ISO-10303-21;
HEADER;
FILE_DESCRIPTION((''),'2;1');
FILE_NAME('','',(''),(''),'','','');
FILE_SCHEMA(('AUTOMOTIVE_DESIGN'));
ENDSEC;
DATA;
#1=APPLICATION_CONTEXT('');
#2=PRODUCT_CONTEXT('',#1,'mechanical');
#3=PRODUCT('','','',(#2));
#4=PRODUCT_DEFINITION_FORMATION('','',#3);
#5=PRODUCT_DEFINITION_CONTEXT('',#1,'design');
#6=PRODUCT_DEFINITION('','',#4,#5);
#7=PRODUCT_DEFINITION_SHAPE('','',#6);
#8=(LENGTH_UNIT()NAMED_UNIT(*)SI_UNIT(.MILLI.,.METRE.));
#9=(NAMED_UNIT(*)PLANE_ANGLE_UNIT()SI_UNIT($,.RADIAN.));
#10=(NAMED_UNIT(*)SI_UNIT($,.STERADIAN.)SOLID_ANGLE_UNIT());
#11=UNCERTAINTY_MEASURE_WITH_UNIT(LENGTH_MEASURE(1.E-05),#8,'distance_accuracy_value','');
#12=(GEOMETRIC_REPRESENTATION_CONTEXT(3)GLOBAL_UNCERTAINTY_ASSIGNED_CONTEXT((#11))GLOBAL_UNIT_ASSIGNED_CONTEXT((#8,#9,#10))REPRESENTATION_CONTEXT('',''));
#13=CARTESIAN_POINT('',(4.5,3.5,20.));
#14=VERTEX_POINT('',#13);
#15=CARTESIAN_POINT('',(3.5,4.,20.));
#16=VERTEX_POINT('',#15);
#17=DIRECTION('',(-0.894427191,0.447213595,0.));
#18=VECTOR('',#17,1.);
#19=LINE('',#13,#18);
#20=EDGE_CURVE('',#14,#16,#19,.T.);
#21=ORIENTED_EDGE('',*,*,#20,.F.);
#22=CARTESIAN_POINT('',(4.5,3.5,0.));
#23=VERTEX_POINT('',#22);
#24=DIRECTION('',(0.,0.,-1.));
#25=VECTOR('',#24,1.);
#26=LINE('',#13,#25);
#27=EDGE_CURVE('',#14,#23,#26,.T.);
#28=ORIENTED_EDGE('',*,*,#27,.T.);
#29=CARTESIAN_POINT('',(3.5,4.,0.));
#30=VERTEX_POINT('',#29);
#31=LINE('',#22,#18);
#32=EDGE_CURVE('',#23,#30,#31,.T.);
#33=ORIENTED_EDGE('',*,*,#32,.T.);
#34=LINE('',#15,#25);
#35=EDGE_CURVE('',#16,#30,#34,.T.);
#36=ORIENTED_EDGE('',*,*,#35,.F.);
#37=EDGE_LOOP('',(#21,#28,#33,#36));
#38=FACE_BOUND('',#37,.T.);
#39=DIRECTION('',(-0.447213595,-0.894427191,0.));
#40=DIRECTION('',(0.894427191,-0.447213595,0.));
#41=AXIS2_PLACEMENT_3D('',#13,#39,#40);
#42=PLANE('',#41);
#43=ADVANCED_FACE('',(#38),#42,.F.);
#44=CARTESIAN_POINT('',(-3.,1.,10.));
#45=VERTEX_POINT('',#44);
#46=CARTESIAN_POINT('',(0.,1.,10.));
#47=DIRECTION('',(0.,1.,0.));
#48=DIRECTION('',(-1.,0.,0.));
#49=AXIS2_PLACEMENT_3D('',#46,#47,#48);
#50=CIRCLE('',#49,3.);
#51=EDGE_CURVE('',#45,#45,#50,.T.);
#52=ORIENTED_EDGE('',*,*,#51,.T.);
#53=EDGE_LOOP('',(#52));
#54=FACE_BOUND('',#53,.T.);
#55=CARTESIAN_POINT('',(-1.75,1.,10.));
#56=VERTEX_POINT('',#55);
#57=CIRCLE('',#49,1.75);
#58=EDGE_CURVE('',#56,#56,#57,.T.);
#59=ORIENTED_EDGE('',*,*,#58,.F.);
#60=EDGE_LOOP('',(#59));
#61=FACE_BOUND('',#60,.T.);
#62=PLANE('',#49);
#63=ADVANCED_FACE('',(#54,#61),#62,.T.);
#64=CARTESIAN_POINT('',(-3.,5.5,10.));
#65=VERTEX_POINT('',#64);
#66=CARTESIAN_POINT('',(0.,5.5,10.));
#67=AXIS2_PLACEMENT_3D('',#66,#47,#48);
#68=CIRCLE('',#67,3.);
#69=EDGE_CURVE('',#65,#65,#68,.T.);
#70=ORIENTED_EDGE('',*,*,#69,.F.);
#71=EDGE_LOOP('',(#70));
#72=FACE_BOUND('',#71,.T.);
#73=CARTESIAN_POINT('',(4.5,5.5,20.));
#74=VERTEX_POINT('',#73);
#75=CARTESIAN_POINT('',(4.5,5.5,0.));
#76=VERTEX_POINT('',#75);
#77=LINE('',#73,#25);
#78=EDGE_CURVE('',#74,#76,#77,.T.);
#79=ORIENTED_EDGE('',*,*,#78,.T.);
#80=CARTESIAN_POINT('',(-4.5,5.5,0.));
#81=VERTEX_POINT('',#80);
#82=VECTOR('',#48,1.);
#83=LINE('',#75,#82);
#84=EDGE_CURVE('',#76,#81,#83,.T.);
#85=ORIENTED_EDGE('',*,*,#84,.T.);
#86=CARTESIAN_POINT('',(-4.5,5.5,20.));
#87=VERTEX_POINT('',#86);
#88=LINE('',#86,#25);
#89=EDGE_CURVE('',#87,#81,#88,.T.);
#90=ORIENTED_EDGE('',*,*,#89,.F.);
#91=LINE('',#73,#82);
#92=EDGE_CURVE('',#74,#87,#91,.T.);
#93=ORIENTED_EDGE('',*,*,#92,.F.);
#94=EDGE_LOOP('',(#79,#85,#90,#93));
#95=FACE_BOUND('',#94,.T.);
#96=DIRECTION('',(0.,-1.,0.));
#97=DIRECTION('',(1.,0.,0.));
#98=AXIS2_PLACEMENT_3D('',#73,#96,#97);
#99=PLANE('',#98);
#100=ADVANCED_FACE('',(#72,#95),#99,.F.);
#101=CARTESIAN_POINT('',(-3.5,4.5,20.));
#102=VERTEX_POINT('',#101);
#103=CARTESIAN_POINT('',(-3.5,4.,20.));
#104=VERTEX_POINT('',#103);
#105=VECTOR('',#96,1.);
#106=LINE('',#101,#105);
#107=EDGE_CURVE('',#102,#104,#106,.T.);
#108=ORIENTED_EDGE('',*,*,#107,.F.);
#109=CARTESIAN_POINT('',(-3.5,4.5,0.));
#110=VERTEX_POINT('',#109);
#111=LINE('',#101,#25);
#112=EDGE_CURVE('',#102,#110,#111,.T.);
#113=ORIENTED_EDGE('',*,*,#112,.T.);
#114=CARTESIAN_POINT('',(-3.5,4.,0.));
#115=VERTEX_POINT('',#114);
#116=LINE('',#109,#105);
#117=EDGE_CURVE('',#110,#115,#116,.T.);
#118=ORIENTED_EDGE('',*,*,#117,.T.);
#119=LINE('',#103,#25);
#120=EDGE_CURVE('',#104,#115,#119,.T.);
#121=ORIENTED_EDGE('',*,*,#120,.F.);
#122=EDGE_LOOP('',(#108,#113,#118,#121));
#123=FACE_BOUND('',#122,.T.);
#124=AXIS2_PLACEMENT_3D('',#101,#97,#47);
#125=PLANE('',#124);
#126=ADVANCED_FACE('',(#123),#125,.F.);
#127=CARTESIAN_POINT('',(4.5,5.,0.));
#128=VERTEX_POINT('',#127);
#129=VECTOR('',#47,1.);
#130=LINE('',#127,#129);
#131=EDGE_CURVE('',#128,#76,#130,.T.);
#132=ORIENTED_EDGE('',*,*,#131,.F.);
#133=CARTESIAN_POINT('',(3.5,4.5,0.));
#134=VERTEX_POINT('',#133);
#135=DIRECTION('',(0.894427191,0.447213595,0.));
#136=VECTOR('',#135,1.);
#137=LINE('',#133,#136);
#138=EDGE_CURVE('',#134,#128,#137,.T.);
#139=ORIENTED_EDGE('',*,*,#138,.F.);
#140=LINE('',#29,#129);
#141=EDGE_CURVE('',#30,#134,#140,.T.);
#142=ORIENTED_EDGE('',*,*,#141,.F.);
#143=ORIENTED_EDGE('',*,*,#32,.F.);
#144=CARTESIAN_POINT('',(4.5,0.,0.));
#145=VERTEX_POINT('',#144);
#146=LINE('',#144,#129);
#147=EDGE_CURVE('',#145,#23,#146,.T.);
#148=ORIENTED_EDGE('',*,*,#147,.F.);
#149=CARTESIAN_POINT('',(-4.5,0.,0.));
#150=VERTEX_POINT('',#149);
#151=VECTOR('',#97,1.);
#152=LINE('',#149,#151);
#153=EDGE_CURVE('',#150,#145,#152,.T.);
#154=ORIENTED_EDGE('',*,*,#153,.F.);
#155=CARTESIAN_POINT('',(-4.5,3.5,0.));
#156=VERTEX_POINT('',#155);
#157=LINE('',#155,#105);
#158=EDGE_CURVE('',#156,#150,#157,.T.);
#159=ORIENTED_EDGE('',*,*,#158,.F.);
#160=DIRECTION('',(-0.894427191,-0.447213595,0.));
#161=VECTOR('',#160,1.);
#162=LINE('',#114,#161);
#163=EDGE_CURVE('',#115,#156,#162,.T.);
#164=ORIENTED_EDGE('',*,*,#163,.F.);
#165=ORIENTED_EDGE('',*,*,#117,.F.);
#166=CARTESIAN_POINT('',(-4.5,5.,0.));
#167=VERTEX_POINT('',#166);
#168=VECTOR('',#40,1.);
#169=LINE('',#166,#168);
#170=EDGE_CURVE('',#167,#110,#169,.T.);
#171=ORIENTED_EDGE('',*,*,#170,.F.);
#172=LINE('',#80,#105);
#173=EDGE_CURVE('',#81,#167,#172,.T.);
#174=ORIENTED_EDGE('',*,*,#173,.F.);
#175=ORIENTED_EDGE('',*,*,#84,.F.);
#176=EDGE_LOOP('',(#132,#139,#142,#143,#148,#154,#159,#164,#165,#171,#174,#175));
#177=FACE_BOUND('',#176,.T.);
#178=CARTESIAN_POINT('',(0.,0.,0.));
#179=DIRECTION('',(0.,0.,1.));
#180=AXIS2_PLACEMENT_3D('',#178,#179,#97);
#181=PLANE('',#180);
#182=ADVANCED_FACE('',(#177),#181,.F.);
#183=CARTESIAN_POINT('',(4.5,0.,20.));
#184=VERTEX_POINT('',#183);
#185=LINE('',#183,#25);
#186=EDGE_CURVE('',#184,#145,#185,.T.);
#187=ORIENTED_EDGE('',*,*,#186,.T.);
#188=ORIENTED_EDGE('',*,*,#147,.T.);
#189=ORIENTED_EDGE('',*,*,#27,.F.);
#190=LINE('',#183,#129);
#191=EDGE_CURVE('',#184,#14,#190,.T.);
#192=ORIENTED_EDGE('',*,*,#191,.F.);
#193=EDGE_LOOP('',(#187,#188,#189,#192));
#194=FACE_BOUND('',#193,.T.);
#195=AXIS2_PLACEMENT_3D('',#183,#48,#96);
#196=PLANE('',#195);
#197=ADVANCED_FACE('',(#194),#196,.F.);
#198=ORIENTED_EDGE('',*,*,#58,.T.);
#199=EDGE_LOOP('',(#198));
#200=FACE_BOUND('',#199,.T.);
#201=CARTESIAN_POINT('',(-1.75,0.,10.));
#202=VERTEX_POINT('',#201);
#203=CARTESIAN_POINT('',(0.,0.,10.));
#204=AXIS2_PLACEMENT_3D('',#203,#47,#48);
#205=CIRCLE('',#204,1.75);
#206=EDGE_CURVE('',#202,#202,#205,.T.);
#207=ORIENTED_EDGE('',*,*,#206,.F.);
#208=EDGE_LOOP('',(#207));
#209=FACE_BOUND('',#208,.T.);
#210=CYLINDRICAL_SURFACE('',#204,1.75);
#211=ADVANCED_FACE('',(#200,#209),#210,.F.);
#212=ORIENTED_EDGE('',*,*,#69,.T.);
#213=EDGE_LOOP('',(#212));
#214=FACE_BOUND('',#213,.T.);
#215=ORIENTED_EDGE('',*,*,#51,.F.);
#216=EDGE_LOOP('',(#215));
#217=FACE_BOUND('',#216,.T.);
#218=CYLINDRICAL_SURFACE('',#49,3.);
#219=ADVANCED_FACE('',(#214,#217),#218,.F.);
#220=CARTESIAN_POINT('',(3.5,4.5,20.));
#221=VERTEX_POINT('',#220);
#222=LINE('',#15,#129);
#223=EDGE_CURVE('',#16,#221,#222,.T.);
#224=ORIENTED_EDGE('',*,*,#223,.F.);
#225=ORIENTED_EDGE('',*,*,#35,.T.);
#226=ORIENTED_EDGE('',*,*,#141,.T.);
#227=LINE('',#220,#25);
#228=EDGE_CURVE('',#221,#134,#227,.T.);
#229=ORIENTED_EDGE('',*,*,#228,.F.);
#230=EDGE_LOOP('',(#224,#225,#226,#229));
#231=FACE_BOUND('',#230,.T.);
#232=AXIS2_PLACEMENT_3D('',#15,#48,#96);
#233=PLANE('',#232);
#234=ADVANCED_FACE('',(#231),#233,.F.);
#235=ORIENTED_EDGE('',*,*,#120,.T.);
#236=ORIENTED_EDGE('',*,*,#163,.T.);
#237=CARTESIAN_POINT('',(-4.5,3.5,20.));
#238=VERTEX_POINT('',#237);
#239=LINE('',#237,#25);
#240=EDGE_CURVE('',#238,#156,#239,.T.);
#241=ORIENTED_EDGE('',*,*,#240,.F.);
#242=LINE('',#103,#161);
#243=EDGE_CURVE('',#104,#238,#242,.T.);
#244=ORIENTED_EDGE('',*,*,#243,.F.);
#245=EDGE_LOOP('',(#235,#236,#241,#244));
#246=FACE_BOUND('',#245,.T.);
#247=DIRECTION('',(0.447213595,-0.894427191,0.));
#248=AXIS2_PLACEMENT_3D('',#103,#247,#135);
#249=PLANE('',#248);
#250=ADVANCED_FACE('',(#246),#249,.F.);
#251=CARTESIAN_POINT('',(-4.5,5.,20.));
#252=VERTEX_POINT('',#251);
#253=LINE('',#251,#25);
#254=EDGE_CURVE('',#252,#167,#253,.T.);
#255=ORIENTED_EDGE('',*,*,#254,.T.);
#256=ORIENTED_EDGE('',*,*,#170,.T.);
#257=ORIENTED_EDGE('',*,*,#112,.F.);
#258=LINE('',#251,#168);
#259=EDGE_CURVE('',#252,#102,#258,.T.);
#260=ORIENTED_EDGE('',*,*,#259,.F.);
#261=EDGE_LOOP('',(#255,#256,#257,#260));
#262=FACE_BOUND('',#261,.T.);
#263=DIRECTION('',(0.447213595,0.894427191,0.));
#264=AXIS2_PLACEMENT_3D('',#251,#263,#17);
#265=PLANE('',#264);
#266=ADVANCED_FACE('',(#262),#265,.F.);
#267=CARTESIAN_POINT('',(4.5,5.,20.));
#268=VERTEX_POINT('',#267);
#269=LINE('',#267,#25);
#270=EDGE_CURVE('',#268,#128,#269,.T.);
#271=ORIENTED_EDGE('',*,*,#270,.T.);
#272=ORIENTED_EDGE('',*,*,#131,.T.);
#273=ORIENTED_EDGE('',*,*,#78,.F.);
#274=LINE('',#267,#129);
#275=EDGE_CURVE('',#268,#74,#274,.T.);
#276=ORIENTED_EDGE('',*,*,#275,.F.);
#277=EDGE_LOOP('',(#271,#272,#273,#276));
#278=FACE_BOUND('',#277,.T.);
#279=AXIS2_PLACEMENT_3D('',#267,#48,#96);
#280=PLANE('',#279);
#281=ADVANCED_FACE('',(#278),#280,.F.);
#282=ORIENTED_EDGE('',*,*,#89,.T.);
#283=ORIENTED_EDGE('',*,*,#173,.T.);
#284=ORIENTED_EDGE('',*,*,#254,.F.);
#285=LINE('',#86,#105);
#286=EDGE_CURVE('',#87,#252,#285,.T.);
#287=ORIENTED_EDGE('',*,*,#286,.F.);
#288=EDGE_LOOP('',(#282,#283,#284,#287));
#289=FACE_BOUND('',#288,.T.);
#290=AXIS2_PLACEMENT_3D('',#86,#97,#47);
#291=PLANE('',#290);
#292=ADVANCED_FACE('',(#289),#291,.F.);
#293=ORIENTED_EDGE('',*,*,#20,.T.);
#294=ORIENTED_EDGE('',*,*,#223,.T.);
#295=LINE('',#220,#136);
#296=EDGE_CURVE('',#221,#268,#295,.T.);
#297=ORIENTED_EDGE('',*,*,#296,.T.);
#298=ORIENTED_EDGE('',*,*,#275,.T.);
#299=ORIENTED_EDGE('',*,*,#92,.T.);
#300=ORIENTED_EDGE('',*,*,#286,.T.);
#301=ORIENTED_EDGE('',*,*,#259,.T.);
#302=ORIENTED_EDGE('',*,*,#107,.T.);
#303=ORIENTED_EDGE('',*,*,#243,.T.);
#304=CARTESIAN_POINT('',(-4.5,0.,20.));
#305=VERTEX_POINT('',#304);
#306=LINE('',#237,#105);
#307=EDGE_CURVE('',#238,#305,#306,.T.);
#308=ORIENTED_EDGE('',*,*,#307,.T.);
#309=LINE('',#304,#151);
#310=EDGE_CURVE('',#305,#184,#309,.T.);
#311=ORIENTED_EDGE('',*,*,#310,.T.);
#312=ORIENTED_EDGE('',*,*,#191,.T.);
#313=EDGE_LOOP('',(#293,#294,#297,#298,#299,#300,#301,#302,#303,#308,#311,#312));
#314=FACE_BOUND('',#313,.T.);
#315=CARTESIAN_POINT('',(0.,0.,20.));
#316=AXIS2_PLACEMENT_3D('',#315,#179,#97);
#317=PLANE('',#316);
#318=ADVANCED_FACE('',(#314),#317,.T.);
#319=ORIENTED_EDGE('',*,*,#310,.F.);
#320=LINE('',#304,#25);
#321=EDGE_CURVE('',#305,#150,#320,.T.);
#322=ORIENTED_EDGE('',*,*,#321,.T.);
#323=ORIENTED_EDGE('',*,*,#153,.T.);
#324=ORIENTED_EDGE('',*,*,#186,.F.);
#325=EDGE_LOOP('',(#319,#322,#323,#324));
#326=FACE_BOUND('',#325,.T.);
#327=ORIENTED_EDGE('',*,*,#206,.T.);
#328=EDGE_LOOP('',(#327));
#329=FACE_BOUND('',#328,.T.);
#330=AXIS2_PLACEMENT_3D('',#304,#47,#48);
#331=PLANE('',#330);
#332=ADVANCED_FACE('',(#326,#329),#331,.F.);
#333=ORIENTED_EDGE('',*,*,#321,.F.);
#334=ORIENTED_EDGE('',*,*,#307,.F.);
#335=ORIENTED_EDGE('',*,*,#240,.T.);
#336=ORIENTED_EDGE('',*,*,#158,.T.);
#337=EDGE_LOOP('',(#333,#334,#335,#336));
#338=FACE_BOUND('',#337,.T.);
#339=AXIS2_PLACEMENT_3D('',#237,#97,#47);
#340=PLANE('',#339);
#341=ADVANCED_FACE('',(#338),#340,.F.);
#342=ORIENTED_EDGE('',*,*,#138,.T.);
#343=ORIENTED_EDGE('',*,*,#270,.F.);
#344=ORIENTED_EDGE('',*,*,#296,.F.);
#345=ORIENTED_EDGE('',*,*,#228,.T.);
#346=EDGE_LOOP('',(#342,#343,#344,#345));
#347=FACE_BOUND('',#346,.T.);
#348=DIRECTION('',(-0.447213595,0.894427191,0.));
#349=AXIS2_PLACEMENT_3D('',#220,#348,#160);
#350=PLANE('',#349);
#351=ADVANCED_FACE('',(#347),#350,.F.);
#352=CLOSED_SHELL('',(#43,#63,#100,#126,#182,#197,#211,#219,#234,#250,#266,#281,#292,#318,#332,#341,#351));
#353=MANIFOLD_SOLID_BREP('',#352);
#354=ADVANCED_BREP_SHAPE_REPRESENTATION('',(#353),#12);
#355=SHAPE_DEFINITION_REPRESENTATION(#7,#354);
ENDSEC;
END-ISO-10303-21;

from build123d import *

# Parameters (mm, degrees)
BOSS_EXTRU_1_DEPTH      = 20
ESQUISSE2_R             = 3
ENL_V_MAT_EXTRU_1_DEPTH = 4.5
ESQUISSE3_R             = 1.75
ENL_V_MAT_EXTRU_2_DEPTH = 21.988091862


with BuildPart() as part:
    # Esquisse1 → Boss.-Extru.1 (new body)
    with BuildSketch(Plane.XY):
        Polygon((-4.5, 0), (4.5, 0), (4.5, 3.5), (3.5, 4), (3.5, 4.5), (4.5, 5), (4.5, 5.5), (-4.5, 5.5), (-4.5, 5), (-3.5, 4.5), (-3.5, 4), (-4.5, 3.5), align=None)
    extrude(amount=BOSS_EXTRU_1_DEPTH)

    # Esquisse2 → Enlèv. mat.-Extru.1 (cut)
    with BuildSketch(Plane(origin=(0, 5.5, 0), x_dir=(1, 0, 0), z_dir=(0, 1, 0))):
        with Locations(Location((0, -10, 0), (0, 0, 180))):
            Circle(ESQUISSE2_R)
    extrude(amount=-ENL_V_MAT_EXTRU_1_DEPTH, mode=Mode.SUBTRACT)

    # Esquisse3 → Enlèv. mat.-Extru.2 (cut, through all)
    with BuildSketch(Plane(origin=(0, 1, 0), x_dir=(1, 0, 0), z_dir=(0, 1, 0))):
        with Locations(Location((0, -10, 0), (0, 0, 180))):
            Circle(ESQUISSE3_R)
    extrude(amount=-ENL_V_MAT_EXTRU_2_DEPTH, mode=Mode.SUBTRACT)


solid = part.part
